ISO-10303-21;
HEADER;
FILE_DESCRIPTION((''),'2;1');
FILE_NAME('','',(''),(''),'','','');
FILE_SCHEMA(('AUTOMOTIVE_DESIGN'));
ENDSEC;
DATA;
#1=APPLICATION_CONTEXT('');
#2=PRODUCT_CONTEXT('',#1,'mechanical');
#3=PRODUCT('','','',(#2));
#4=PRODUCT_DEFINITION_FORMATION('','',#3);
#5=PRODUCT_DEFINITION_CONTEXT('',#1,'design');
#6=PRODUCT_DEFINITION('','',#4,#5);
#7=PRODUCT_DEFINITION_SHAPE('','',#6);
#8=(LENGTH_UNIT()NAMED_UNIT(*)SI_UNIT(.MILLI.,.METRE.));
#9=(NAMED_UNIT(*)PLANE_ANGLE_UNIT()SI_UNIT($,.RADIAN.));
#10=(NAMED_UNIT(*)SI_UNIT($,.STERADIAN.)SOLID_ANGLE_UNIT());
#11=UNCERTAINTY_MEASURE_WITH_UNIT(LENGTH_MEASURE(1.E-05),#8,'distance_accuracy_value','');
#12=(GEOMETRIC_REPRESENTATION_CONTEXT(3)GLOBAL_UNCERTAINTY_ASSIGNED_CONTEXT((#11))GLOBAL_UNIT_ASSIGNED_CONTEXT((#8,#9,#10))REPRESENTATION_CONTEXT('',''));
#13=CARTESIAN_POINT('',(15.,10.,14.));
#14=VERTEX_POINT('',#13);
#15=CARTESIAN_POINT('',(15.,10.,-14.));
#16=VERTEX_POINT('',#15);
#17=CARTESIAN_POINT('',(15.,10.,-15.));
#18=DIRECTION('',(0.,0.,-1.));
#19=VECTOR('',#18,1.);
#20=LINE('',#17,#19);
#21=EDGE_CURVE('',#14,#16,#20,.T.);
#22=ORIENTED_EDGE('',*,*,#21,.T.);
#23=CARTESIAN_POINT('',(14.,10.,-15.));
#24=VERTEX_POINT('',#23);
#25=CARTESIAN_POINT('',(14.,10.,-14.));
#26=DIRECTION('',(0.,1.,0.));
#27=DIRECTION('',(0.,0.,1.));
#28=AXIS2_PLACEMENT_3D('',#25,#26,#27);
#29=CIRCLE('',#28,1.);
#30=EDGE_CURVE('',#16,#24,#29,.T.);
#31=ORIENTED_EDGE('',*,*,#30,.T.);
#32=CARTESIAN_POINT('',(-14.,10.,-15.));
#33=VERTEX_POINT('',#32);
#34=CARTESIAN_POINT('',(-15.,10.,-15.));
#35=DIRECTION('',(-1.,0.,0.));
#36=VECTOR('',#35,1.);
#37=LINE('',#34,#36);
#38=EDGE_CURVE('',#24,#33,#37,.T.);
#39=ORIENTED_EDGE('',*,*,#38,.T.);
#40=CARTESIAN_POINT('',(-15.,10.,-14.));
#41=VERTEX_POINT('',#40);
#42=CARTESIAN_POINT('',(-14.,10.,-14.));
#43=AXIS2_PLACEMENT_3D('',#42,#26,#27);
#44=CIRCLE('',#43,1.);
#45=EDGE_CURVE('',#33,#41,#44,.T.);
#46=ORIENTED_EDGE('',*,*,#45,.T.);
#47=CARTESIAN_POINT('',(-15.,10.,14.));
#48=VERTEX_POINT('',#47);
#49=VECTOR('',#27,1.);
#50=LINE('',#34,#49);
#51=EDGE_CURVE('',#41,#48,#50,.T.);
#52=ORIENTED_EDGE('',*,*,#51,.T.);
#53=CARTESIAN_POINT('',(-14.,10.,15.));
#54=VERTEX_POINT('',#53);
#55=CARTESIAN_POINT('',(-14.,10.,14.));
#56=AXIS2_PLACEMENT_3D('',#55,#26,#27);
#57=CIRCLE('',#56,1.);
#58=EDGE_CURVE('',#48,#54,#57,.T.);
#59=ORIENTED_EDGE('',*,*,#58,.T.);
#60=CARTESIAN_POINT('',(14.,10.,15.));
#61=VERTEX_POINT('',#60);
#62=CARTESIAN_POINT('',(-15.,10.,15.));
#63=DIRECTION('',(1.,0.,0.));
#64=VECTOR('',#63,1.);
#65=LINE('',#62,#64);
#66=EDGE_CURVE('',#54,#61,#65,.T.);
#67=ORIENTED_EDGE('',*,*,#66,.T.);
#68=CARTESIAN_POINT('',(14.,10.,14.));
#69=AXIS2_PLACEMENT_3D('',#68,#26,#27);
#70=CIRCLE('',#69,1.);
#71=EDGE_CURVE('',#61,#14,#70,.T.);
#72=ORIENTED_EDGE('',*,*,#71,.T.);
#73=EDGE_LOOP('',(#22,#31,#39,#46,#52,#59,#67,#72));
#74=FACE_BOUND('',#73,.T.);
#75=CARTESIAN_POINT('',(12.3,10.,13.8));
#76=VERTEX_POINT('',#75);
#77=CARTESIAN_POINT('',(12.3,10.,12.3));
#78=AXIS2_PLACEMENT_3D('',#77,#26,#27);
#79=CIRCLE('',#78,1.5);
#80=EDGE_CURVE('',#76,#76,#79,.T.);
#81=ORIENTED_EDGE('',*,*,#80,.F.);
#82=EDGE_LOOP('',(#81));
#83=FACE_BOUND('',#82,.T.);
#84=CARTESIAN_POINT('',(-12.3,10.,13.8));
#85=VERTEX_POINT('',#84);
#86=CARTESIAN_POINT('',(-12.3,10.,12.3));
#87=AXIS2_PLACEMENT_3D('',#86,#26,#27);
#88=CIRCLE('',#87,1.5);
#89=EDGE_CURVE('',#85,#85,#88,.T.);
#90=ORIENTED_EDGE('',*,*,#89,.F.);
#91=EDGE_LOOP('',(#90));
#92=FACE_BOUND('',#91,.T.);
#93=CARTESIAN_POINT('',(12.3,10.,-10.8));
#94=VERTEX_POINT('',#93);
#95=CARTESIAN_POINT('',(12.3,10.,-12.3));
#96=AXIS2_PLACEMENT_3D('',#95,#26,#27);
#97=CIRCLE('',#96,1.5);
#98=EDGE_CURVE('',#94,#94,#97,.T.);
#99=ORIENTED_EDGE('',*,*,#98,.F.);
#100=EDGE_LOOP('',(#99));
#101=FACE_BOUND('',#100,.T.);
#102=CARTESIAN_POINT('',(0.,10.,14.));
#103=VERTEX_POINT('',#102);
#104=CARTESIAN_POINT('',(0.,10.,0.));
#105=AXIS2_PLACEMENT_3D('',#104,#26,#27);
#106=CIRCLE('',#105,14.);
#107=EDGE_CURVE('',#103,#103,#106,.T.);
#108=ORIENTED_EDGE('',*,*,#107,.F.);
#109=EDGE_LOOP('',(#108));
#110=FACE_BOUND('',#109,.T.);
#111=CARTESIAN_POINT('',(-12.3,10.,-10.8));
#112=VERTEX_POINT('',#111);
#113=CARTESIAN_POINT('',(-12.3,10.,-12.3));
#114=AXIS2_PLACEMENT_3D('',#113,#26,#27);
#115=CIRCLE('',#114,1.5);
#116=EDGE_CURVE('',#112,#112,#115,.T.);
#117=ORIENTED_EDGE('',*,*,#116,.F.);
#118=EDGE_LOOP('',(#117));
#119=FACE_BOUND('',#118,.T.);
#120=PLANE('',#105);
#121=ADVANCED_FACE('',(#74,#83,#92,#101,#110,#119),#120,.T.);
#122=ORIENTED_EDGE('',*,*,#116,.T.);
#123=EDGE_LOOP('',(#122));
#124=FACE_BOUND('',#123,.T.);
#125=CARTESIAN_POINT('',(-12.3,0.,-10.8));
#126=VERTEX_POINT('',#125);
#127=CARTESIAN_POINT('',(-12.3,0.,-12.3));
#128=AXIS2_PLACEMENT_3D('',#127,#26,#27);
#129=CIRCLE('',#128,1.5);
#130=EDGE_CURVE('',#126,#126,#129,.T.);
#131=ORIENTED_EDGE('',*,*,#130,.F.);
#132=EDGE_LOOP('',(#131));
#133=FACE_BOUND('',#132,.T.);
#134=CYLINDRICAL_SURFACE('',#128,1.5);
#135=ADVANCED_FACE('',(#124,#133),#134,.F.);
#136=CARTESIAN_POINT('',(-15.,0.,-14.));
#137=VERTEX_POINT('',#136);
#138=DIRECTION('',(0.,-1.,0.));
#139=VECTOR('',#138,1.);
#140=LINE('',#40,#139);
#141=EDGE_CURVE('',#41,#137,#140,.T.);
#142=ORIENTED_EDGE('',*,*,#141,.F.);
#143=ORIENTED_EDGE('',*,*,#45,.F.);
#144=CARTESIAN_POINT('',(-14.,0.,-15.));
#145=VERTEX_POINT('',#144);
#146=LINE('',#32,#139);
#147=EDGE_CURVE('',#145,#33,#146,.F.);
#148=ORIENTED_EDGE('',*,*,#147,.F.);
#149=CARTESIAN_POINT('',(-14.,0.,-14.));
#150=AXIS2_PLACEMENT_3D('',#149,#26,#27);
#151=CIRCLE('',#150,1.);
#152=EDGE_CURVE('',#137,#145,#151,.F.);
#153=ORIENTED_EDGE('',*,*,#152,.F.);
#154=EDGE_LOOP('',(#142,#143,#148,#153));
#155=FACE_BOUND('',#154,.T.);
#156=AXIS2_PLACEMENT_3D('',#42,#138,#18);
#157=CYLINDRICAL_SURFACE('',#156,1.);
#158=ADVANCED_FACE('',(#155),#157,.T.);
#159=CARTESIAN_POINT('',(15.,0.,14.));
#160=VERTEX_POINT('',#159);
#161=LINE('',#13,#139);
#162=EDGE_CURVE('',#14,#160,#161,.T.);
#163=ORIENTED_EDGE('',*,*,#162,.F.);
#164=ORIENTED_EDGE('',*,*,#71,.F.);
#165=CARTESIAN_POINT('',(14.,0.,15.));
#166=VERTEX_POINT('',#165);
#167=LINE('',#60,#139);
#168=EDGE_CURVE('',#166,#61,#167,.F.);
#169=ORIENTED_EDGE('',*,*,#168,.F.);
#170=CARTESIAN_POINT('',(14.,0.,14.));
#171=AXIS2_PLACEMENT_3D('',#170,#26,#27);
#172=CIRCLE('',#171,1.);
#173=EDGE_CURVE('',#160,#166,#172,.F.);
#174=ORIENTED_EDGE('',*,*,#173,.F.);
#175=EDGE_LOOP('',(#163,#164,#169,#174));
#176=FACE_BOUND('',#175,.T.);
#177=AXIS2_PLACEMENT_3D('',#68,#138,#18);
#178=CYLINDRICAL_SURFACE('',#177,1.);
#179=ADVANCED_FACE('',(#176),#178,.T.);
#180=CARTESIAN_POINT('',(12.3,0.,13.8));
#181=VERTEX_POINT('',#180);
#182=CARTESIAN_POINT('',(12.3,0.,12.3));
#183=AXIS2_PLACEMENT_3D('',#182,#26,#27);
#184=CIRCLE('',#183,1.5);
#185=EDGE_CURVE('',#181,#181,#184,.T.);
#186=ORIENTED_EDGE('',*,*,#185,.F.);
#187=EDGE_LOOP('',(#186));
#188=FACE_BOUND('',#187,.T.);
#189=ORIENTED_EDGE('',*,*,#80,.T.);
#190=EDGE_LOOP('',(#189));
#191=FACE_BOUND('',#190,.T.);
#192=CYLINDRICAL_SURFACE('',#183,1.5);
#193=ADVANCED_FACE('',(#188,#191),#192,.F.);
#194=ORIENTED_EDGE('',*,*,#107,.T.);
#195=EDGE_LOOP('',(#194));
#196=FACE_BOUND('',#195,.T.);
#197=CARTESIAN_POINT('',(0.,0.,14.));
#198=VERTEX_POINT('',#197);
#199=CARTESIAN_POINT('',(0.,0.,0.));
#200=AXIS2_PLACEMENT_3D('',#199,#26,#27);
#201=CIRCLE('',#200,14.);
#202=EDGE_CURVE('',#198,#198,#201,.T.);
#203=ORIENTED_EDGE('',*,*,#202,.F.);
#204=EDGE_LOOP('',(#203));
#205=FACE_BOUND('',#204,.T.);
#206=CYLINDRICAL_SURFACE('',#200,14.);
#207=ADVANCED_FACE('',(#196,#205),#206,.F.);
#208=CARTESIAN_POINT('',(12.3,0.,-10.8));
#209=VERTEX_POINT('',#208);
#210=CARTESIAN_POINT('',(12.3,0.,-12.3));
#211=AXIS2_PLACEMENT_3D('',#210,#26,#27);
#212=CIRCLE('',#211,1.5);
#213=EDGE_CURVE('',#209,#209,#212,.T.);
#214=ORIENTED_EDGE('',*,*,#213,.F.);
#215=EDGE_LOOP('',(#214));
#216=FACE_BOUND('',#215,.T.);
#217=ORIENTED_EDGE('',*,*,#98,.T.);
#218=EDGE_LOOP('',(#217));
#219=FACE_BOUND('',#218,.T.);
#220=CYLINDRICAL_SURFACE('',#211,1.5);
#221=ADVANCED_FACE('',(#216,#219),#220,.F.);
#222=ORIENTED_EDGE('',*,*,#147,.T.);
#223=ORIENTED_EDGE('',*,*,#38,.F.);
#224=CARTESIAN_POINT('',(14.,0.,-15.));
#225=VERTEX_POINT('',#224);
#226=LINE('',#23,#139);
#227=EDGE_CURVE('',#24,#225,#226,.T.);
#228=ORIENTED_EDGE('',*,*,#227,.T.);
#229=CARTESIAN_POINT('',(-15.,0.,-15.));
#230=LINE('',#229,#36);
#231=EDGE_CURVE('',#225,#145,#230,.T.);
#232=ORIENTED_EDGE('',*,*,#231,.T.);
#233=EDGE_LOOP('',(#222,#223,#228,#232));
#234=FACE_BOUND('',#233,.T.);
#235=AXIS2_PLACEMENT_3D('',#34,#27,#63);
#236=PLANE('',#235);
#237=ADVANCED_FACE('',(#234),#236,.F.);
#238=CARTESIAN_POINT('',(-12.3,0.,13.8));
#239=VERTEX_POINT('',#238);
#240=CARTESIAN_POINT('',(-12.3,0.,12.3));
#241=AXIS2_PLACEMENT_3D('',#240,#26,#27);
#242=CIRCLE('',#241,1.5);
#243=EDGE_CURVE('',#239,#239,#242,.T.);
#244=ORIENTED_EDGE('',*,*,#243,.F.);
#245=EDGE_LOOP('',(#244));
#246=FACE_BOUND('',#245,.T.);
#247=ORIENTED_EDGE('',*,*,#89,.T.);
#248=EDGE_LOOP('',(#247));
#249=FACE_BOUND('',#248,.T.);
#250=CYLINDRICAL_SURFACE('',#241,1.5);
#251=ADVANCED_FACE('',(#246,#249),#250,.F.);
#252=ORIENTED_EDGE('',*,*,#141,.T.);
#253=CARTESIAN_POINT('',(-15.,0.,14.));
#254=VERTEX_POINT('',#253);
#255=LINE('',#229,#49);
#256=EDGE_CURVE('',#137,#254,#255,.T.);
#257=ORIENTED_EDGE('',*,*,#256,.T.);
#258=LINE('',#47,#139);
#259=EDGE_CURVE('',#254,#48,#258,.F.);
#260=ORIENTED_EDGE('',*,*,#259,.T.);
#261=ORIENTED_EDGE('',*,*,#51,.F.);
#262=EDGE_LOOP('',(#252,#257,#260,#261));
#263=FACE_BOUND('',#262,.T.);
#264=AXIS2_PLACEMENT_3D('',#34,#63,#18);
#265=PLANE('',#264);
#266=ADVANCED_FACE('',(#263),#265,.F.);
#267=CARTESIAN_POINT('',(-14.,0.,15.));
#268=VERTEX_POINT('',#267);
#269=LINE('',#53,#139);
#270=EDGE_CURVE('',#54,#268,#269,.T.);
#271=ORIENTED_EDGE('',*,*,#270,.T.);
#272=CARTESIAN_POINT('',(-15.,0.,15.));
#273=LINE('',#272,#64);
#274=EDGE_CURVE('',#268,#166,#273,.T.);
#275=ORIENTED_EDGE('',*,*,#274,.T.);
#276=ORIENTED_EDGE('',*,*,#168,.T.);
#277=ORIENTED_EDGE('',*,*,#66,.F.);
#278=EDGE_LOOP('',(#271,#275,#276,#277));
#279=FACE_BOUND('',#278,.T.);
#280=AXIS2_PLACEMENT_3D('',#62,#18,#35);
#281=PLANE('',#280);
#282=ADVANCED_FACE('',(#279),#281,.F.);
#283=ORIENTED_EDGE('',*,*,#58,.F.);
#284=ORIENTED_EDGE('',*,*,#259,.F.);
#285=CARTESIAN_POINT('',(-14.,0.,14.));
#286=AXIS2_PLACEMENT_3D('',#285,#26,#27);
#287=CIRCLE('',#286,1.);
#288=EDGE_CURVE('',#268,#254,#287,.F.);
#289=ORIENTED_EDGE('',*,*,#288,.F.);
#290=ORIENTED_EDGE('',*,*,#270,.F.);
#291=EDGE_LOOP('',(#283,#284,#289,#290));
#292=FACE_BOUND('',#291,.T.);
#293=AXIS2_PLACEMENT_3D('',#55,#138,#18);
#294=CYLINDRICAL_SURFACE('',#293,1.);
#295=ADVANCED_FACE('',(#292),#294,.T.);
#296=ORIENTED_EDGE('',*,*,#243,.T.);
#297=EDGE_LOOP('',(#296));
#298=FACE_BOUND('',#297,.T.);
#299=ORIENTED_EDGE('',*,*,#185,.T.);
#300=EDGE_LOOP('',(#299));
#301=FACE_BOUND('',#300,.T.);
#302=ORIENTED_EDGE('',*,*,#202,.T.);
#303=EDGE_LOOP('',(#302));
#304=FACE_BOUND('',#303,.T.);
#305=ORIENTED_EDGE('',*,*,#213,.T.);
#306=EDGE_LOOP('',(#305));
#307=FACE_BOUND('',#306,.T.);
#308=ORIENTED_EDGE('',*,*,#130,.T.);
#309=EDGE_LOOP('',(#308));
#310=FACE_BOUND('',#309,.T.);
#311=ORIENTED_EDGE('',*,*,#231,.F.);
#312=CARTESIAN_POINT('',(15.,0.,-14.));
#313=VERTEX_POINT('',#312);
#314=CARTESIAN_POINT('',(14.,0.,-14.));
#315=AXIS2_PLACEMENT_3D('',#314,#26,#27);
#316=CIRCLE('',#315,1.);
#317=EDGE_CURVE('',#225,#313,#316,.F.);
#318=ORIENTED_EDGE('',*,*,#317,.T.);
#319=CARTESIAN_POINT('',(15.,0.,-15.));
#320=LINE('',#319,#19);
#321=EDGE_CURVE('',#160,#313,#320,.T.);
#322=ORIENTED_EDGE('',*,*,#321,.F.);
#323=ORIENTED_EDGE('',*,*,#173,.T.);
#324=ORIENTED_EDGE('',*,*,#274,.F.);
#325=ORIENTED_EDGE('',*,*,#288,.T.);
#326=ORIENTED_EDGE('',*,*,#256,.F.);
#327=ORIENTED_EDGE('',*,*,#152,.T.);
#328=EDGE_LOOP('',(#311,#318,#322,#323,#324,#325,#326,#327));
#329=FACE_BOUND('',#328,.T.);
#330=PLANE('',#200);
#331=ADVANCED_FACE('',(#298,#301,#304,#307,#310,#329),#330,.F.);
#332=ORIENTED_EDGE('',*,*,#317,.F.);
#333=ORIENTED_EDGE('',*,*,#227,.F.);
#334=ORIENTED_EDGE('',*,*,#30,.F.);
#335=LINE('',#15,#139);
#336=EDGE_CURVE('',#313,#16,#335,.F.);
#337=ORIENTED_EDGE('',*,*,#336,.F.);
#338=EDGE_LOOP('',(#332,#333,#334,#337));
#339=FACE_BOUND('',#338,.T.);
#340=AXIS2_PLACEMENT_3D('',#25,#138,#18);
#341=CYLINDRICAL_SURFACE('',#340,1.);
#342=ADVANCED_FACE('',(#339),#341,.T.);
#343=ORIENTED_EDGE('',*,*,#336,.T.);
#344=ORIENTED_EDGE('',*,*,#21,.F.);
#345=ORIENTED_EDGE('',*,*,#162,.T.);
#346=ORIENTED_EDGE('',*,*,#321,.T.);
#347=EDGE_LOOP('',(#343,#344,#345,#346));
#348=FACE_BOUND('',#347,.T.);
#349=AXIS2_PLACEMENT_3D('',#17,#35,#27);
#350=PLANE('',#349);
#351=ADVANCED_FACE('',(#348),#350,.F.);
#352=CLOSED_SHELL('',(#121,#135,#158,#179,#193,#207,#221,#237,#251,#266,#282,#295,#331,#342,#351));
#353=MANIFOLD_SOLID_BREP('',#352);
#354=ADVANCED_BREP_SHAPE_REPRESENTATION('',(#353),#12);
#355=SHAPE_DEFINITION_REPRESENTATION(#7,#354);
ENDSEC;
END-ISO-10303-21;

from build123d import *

# Parameters (mm, degrees)
SKETCH_1_W          = 30
SKETCH_1_H          = 30
EXTRUDE_1_DEPTH     = 10
SKETCH_2_R          = 1.5
CUT_EXTRUDE_1_DEPTH = 11
FILLET_1_R          = 1
SKETCH_3_R          = 14
CUT_EXTRUDE_2_DEPTH = 11


with BuildPart() as part:
    # 草图1 → 凸台-拉伸1 (new body)
    with BuildSketch(Plane(origin=(0, 0, 0), x_dir=(1, 0, 0), z_dir=(0, 1, 0))):
        Rectangle(SKETCH_1_W, SKETCH_1_H)
    extrude(amount=EXTRUDE_1_DEPTH)

    # 草图2 → 切除-拉伸1 (cut, through all)
    with BuildSketch(Plane(origin=(0, 10, 0), x_dir=(1, 0, 0), z_dir=(0, 1, 0))):
        with Locations((-12.3, 12.3)):
            Circle(SKETCH_2_R)
        with Locations((12.3, 12.3)):
            Circle(SKETCH_2_R)
        with Locations((-12.3, -12.3)):
            Circle(SKETCH_2_R)
        with Locations((12.3, -12.3)):
            Circle(SKETCH_2_R)
    extrude(amount=-CUT_EXTRUDE_1_DEPTH, mode=Mode.SUBTRACT)

    # 圆角1
    fillet_1_edges = [part.edges().sort_by_distance(p)[0] for p in [
        (15, 5, 15),
        (-15, 5, 15),
        (-15, 5, -15),
        (15, 5, -15),
    ]]
    fillet(fillet_1_edges, radius=FILLET_1_R)

    # 草图3 → 切除-拉伸2 (cut, through all)
    with BuildSketch(Plane(origin=(0, 10, 0), x_dir=(1, 0, 0), z_dir=(0, 1, 0))):
        Circle(SKETCH_3_R)
    extrude(amount=-CUT_EXTRUDE_2_DEPTH, mode=Mode.SUBTRACT)


solid = part.part
